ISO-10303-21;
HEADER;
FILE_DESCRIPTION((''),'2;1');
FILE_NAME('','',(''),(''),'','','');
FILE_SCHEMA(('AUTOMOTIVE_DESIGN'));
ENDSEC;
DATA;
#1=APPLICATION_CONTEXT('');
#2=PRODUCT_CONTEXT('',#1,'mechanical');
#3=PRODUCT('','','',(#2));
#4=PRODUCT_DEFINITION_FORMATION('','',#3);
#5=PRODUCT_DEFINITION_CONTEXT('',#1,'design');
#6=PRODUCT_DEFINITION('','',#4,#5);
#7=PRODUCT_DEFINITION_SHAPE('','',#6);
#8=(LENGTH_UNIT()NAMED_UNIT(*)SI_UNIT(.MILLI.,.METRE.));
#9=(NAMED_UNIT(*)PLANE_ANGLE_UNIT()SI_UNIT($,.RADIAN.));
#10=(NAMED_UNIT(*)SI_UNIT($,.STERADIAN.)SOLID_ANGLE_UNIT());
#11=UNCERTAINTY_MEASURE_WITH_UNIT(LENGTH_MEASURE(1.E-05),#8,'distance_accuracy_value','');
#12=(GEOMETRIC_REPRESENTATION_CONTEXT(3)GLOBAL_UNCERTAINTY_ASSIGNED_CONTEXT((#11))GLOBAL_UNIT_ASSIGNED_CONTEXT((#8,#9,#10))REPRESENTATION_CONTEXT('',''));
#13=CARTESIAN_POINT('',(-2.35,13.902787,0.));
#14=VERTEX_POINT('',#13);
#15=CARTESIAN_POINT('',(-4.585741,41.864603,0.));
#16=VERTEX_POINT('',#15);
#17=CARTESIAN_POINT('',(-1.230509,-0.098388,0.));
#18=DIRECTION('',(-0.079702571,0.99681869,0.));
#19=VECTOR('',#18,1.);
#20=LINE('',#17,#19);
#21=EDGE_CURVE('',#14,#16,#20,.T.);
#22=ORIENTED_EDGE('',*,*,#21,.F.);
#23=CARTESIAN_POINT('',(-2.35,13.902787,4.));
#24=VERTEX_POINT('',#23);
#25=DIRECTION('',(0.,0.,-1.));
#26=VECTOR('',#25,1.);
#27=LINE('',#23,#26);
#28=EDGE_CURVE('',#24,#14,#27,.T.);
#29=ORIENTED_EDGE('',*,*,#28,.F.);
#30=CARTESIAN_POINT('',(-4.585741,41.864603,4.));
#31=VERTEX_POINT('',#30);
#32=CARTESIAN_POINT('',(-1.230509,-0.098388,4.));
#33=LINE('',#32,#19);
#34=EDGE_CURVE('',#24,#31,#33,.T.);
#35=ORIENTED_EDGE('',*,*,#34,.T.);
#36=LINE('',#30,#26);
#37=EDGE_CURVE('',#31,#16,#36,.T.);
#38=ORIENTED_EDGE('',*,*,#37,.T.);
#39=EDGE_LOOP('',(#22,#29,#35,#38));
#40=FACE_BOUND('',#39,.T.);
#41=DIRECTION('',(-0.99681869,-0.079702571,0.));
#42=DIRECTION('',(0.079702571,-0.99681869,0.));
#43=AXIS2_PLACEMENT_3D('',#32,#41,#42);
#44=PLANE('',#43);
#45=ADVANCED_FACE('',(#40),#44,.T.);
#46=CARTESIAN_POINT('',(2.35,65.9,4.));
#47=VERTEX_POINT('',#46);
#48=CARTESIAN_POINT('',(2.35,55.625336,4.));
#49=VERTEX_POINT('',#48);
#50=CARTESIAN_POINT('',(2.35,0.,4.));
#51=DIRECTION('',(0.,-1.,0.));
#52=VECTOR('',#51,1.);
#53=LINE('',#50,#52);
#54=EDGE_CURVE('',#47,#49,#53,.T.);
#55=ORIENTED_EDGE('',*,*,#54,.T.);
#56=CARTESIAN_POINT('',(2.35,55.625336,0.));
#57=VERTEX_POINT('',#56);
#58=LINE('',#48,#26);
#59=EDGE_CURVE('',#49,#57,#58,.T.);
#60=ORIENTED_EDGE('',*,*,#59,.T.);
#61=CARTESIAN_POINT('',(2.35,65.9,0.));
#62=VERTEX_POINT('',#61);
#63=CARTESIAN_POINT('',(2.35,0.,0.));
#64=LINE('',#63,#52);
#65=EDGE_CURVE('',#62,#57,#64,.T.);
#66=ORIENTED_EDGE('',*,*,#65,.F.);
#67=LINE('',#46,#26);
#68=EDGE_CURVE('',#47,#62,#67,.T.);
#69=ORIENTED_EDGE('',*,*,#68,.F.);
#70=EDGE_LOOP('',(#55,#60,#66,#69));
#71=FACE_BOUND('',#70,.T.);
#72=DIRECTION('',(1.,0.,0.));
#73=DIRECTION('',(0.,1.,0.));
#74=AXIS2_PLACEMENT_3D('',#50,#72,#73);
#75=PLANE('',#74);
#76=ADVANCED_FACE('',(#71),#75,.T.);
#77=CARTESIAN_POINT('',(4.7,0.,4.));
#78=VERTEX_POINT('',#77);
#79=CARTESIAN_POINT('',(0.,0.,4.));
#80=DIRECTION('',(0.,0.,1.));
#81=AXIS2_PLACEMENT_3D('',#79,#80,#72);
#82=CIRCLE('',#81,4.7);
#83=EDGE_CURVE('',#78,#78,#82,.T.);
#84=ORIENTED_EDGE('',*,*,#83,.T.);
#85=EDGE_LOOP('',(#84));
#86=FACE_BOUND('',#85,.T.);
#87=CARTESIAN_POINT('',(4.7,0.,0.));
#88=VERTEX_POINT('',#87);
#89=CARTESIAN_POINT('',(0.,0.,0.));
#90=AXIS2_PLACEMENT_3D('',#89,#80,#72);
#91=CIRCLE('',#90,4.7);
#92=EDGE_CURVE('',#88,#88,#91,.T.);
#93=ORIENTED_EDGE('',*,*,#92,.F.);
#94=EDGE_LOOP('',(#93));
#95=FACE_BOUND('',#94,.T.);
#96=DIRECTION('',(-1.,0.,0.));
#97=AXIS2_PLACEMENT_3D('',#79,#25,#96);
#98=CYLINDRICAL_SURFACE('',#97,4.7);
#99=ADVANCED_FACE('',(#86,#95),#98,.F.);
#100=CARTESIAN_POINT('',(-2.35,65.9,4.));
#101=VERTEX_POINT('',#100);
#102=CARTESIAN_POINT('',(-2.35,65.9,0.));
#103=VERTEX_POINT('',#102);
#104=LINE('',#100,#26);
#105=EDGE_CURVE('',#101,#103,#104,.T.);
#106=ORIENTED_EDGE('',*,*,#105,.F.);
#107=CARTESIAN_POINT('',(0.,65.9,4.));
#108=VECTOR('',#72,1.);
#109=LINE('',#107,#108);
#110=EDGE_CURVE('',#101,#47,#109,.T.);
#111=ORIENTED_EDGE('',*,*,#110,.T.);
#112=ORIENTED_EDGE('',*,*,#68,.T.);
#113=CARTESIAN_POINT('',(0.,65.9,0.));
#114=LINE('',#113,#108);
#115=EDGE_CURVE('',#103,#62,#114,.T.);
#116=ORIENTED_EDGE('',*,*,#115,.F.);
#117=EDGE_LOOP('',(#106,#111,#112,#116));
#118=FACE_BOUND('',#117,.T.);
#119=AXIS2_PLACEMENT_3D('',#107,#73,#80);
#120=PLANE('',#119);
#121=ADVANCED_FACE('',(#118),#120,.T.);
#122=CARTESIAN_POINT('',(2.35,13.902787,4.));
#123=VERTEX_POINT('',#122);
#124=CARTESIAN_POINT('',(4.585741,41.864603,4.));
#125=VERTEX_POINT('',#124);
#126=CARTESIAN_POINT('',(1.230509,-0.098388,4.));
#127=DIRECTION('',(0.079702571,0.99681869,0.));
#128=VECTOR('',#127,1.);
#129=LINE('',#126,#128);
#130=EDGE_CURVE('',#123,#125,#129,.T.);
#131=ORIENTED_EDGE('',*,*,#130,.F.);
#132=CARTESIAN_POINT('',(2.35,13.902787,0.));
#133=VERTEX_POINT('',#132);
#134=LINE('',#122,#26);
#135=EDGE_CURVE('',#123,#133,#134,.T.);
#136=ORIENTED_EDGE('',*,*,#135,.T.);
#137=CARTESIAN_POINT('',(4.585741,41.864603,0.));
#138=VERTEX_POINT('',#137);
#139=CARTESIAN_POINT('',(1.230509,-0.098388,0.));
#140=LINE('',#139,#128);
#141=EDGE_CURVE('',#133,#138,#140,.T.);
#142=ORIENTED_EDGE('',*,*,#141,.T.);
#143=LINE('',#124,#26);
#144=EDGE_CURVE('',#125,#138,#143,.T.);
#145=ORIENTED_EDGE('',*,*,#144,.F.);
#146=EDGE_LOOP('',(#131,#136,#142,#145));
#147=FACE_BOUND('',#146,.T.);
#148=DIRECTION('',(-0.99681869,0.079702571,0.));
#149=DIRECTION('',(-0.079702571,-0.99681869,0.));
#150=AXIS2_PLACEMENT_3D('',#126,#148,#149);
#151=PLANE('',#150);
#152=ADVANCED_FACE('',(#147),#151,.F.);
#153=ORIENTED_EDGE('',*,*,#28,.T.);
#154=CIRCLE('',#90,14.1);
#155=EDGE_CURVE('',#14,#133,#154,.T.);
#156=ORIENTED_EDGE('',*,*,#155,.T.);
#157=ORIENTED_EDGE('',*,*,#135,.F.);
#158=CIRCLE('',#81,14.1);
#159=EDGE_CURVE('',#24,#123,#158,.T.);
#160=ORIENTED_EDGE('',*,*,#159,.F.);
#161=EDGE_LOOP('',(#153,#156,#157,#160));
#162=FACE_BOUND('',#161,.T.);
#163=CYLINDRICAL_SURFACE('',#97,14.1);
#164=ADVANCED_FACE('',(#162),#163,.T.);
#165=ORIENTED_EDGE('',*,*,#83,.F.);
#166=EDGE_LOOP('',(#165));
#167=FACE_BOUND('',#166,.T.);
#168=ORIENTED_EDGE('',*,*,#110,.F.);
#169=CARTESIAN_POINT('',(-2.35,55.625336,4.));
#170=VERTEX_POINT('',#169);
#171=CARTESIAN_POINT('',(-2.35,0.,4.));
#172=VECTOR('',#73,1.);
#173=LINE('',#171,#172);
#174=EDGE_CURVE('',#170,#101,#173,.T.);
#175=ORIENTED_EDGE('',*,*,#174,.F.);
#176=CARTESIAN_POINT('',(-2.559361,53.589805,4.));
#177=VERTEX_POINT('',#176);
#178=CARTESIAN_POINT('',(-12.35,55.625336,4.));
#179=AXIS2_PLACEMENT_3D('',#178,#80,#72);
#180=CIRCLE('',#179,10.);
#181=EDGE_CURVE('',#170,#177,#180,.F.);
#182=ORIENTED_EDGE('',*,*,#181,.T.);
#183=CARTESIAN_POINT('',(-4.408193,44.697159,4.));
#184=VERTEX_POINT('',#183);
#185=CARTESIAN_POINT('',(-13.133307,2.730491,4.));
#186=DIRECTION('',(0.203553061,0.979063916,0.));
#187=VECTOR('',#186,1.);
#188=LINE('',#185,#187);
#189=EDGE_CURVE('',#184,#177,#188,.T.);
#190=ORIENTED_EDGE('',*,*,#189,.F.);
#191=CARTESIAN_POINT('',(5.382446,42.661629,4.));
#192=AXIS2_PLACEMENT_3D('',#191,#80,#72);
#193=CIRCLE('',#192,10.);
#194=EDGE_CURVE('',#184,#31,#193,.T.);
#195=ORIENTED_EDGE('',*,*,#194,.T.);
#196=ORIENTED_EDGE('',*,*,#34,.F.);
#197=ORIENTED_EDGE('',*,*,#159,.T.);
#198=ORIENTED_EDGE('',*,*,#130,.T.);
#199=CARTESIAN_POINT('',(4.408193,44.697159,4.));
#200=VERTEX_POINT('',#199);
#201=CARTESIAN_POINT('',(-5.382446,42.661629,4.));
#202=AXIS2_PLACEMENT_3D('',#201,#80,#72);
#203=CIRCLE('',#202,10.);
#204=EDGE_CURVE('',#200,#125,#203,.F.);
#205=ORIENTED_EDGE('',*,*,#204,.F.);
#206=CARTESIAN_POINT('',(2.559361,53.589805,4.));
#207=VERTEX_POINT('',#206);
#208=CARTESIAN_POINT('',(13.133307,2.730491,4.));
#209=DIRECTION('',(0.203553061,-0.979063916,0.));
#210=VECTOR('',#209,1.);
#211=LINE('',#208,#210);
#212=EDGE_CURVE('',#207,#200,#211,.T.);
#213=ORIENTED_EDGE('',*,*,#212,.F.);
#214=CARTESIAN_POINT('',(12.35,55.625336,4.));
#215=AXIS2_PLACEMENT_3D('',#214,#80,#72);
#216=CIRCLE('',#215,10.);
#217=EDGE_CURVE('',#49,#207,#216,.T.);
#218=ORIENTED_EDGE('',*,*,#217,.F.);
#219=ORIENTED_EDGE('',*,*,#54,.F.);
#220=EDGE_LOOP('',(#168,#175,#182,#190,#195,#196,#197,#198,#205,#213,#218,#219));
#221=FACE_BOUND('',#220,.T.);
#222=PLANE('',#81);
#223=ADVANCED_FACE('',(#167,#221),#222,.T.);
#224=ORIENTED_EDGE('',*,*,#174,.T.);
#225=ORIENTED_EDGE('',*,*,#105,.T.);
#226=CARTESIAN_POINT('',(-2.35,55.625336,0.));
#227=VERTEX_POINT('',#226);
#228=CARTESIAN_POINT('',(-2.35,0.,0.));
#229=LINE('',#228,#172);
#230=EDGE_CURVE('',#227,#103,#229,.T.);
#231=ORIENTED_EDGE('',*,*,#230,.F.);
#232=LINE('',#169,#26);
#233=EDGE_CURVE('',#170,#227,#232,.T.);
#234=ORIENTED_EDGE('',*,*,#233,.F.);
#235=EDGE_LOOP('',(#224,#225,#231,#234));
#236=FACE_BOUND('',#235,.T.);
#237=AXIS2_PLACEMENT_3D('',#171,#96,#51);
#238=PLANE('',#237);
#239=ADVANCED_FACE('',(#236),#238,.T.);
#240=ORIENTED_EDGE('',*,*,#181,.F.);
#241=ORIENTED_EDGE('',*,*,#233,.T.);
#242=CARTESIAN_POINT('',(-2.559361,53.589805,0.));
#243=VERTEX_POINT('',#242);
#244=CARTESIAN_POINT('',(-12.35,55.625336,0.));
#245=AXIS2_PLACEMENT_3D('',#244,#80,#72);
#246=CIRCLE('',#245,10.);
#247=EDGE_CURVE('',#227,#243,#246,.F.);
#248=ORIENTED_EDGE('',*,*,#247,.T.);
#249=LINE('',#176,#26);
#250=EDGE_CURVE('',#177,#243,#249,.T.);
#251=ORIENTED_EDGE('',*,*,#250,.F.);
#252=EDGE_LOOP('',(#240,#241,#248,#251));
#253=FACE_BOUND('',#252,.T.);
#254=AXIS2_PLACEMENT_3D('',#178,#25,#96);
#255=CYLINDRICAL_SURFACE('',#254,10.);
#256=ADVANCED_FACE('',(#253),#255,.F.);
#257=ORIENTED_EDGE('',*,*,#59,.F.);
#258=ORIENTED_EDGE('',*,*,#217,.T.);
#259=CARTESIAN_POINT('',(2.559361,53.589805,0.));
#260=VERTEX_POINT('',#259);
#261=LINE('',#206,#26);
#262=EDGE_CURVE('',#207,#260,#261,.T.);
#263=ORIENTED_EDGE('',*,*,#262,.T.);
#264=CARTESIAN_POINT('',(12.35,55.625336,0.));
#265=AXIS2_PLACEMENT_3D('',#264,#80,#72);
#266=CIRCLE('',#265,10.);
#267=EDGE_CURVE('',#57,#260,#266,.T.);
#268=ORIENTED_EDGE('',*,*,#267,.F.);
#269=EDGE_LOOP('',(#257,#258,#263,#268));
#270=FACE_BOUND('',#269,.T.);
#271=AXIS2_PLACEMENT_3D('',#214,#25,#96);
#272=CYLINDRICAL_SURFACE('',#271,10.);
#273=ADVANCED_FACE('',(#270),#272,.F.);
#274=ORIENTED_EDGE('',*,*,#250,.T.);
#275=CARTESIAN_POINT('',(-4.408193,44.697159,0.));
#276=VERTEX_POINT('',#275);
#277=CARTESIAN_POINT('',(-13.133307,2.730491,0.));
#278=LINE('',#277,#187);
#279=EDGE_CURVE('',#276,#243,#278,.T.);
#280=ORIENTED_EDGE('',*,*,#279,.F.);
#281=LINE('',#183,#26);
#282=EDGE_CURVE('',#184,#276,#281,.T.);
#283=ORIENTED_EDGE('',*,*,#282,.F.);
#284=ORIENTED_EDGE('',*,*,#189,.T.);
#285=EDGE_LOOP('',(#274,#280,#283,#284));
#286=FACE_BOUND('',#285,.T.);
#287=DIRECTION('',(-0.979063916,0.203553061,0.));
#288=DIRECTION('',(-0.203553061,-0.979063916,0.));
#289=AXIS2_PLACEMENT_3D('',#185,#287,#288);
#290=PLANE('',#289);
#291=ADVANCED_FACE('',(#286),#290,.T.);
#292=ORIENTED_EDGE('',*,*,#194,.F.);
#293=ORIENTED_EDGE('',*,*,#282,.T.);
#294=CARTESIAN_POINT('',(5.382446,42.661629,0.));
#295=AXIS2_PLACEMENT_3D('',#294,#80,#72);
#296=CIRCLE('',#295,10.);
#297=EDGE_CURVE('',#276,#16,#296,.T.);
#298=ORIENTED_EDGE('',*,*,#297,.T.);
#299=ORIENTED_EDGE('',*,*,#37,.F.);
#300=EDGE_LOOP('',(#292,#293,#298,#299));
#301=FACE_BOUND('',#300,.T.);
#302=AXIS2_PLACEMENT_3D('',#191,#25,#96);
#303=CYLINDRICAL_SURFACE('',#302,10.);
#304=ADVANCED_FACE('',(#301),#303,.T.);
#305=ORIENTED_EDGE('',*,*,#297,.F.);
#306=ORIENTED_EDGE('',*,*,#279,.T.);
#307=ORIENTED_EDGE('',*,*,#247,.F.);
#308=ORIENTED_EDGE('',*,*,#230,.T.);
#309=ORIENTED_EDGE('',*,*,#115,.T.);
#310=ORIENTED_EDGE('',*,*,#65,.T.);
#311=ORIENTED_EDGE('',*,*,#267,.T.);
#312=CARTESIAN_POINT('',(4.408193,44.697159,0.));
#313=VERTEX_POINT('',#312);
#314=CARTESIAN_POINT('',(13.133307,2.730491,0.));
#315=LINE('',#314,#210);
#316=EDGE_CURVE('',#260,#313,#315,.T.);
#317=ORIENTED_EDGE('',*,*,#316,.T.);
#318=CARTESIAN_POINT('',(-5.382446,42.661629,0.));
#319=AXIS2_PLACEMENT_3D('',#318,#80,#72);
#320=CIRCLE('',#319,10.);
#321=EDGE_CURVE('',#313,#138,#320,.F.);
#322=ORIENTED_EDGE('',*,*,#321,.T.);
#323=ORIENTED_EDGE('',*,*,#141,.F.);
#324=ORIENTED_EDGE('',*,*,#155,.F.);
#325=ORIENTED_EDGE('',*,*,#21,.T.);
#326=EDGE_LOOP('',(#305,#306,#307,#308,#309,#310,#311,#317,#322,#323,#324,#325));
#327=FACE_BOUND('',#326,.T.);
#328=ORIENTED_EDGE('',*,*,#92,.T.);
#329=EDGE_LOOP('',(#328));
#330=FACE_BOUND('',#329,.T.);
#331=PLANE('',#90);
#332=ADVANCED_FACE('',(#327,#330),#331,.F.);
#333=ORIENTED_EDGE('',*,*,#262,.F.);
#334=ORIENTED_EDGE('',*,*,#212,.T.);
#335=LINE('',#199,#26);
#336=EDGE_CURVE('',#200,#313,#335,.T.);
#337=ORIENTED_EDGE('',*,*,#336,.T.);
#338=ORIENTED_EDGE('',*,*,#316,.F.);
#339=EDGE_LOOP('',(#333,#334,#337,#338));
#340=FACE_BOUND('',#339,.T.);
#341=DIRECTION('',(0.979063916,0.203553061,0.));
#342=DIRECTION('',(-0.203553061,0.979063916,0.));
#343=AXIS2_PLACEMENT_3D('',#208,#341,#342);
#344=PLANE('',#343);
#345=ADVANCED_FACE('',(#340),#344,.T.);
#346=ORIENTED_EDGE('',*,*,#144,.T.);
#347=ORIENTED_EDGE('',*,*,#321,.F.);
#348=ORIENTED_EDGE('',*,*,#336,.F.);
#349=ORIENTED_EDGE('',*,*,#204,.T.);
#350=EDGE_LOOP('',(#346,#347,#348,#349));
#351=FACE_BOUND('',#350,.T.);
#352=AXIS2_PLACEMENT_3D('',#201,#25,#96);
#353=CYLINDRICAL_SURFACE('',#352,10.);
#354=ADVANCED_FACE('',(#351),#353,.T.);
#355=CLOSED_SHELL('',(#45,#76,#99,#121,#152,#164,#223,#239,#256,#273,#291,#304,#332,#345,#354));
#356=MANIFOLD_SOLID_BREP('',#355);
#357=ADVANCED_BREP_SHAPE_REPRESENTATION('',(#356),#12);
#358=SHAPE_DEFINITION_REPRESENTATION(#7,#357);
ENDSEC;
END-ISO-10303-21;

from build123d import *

# Parameters (mm, degrees)
BOSS_EXTRUDE1_DEPTH = 4


with BuildPart() as part:
    # Sketch1 → Boss-Extrude1 (new body)
    with BuildSketch(Plane.XY):
        with BuildLine():
            ThreePointArc((0, 4.7), (3.323401872, 3.323401872), (4.7, 0))
            ThreePointArc((4.7, 0), (3.323401872, -3.323401872), (0, -4.7))
            Line((0, -4.7), (0, -14.1))
            ThreePointArc((0, -14.1), (9.970205615, -9.970205615), (14.1, 0))
            ThreePointArc((14.1, 0), (11.512601791, 8.140638796), (4.7, 13.293607486))
            ThreePointArc((4.7, 13.293607486), (3.538135112, 13.648868082), (2.35, 13.90278749))
            ThreePointArc((2.35, 13.90278749), (1.17913027, 14.050610371), (0, 14.1))
            Line((0, 14.1), (0, 4.7))
        make_face()
        with BuildLine():
            Line((0, -14.1), (0, -4.7))
            ThreePointArc((0, -4.7), (-4.7, 0), (0, 4.7))
            Line((0, 4.7), (0, 14.1))
            ThreePointArc((0, 14.1), (-1.17913027, 14.050610371), (-2.35, 13.90278749))
            ThreePointArc((-2.35, 13.90278749), (-3.538135112, 13.648868082), (-4.7, 13.293607486))
            ThreePointArc((-4.7, 13.293607486), (-13.896939691, -2.3843379), (0, -14.1))
        make_face()
        with BuildLine():
            ThreePointArc((-2.35, 13.90278749), (-1.17913027, 14.050610371), (0, 14.1))
            Line((0, 14.1), (0, 65.9))
            Line((0, 65.9), (-2.35, 65.9))
            Line((-2.35, 65.9), (-2.35, 55.625335767))
            ThreePointArc((-2.35, 55.625335767), (-2.402477907, 54.602201264), (-2.559360842, 53.589805153))
            Line((-2.559360842, 53.589805153), (-4.408193437, 44.697159337))
            ThreePointArc((-4.408193437, 44.697159337), (-4.597967377, 43.28721197), (-4.585741176, 41.864603012))
            Line((-4.585741176, 41.864603012), (-2.35, 13.90278749))
        make_face()
        with BuildLine():
            Line((0, 65.9), (0, 14.1))
            ThreePointArc((0, 14.1), (1.17913027, 14.050610371), (2.35, 13.90278749))
            Line((2.35, 13.90278749), (4.585741176, 41.864603012))
            ThreePointArc((4.585741176, 41.864603012), (4.597967377, 43.28721197), (4.408193437, 44.697159337))
            Line((4.408193437, 44.697159337), (2.559360842, 53.589805153))
            ThreePointArc((2.559360842, 53.589805153), (2.402477907, 54.602201264), (2.35, 55.625335767))
            Line((2.35, 55.625335767), (2.35, 65.9))
            Line((2.35, 65.9), (0, 65.9))
        make_face()
    extrude(amount=BOSS_EXTRUDE1_DEPTH)


solid = part.part
